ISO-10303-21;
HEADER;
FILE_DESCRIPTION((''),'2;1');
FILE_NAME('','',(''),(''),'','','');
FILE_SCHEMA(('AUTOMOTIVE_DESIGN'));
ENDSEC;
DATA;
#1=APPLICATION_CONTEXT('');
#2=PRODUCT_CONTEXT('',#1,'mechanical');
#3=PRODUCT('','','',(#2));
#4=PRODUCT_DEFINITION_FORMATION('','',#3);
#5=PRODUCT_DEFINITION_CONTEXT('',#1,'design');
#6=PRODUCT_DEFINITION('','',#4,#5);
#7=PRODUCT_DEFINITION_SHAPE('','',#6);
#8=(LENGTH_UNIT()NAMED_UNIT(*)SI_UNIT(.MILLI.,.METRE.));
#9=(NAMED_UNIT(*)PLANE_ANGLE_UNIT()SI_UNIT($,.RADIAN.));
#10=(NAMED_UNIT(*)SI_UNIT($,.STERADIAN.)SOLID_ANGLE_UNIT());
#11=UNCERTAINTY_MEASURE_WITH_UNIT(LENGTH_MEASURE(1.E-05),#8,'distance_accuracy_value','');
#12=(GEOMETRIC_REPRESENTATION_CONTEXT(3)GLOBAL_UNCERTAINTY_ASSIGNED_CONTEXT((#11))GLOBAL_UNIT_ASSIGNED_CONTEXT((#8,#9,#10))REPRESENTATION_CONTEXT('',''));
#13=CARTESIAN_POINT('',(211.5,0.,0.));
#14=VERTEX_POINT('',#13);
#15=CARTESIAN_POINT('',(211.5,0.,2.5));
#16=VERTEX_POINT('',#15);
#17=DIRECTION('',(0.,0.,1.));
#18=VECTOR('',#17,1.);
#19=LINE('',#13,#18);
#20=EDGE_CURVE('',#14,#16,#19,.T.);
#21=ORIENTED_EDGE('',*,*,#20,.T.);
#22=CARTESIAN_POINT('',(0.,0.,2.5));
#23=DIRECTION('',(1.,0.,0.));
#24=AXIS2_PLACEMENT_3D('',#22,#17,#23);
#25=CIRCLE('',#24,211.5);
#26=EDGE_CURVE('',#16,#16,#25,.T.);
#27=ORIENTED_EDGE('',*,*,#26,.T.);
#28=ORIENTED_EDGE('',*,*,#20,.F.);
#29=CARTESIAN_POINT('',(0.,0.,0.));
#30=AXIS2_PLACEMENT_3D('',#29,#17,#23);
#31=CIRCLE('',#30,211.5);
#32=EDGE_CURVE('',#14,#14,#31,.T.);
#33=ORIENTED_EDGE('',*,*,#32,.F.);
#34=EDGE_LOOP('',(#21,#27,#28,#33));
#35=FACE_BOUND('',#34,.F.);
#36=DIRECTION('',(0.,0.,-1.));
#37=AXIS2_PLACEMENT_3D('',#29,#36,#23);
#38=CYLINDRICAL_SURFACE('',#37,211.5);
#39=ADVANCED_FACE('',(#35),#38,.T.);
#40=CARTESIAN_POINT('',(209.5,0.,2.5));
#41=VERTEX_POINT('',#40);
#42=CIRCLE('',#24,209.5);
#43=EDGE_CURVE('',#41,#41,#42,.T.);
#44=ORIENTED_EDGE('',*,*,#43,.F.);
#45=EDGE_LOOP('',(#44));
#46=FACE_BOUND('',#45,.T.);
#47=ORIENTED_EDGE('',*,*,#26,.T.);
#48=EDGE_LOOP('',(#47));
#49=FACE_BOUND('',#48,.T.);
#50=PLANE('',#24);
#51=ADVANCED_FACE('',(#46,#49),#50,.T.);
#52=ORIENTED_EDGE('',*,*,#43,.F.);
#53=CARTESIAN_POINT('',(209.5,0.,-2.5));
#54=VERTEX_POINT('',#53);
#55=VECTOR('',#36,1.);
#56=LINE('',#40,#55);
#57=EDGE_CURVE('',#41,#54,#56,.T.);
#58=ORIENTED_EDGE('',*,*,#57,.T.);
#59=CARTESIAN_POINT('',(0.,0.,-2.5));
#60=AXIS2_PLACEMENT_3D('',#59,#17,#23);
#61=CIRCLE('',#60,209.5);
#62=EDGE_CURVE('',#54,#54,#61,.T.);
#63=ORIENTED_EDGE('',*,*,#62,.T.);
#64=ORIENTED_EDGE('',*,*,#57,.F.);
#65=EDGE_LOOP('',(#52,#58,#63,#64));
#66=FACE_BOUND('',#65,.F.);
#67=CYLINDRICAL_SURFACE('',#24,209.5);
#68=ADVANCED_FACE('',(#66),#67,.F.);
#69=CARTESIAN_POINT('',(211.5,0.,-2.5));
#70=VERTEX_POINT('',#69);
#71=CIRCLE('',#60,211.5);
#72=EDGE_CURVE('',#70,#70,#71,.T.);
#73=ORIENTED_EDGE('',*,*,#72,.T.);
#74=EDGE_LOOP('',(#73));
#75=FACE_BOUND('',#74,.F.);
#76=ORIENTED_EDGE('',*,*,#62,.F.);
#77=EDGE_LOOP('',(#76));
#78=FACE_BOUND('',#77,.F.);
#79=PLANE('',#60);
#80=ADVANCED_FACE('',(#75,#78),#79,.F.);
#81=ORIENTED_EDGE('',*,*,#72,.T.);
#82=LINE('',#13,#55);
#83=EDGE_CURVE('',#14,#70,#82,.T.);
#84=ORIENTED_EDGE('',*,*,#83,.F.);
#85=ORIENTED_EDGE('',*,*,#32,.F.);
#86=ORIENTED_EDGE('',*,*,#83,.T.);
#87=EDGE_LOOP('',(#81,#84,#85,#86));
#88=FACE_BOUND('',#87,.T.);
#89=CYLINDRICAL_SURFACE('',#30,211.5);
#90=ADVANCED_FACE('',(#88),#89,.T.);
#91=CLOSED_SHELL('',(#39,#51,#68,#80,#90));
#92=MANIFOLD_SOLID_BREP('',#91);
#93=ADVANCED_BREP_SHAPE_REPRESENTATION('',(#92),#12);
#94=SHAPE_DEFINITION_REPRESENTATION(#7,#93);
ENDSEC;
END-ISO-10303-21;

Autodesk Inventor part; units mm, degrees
ref_plane "YZ Plane" through (0, 0, 0) normal (1, 0, 0) x (0, 1, 0)
ref_plane "XZ Plane" through (0, 0, 0) normal (0, 1, 0) x (-1, 0, 0)
ref_plane "XY Plane" through (0, 0, 0) normal (0, 0, 1) x (1, 0, 0)
sketch "Sketch1" plane through (0, 0, 0) normal (0, 0, 1) x (1, 0, 0)
  circle A0 centre (0, 0) radius 211.5
  dimension "d0" = 423
extrude "Extrusion1" add sketch "Sketch1" along normal mid plane 5
sketch "Sketch2" plane through (0, 0, 2.5) normal (0, 0, 1) x (1, 0, 0)
  circle A0 centre (0, 0) radius 209.5
  dimension "d3" = 419
extrude "Extrusion2" cut sketch "Sketch2" against normal through all
properties part number "ALPHA-II-AT_4"
